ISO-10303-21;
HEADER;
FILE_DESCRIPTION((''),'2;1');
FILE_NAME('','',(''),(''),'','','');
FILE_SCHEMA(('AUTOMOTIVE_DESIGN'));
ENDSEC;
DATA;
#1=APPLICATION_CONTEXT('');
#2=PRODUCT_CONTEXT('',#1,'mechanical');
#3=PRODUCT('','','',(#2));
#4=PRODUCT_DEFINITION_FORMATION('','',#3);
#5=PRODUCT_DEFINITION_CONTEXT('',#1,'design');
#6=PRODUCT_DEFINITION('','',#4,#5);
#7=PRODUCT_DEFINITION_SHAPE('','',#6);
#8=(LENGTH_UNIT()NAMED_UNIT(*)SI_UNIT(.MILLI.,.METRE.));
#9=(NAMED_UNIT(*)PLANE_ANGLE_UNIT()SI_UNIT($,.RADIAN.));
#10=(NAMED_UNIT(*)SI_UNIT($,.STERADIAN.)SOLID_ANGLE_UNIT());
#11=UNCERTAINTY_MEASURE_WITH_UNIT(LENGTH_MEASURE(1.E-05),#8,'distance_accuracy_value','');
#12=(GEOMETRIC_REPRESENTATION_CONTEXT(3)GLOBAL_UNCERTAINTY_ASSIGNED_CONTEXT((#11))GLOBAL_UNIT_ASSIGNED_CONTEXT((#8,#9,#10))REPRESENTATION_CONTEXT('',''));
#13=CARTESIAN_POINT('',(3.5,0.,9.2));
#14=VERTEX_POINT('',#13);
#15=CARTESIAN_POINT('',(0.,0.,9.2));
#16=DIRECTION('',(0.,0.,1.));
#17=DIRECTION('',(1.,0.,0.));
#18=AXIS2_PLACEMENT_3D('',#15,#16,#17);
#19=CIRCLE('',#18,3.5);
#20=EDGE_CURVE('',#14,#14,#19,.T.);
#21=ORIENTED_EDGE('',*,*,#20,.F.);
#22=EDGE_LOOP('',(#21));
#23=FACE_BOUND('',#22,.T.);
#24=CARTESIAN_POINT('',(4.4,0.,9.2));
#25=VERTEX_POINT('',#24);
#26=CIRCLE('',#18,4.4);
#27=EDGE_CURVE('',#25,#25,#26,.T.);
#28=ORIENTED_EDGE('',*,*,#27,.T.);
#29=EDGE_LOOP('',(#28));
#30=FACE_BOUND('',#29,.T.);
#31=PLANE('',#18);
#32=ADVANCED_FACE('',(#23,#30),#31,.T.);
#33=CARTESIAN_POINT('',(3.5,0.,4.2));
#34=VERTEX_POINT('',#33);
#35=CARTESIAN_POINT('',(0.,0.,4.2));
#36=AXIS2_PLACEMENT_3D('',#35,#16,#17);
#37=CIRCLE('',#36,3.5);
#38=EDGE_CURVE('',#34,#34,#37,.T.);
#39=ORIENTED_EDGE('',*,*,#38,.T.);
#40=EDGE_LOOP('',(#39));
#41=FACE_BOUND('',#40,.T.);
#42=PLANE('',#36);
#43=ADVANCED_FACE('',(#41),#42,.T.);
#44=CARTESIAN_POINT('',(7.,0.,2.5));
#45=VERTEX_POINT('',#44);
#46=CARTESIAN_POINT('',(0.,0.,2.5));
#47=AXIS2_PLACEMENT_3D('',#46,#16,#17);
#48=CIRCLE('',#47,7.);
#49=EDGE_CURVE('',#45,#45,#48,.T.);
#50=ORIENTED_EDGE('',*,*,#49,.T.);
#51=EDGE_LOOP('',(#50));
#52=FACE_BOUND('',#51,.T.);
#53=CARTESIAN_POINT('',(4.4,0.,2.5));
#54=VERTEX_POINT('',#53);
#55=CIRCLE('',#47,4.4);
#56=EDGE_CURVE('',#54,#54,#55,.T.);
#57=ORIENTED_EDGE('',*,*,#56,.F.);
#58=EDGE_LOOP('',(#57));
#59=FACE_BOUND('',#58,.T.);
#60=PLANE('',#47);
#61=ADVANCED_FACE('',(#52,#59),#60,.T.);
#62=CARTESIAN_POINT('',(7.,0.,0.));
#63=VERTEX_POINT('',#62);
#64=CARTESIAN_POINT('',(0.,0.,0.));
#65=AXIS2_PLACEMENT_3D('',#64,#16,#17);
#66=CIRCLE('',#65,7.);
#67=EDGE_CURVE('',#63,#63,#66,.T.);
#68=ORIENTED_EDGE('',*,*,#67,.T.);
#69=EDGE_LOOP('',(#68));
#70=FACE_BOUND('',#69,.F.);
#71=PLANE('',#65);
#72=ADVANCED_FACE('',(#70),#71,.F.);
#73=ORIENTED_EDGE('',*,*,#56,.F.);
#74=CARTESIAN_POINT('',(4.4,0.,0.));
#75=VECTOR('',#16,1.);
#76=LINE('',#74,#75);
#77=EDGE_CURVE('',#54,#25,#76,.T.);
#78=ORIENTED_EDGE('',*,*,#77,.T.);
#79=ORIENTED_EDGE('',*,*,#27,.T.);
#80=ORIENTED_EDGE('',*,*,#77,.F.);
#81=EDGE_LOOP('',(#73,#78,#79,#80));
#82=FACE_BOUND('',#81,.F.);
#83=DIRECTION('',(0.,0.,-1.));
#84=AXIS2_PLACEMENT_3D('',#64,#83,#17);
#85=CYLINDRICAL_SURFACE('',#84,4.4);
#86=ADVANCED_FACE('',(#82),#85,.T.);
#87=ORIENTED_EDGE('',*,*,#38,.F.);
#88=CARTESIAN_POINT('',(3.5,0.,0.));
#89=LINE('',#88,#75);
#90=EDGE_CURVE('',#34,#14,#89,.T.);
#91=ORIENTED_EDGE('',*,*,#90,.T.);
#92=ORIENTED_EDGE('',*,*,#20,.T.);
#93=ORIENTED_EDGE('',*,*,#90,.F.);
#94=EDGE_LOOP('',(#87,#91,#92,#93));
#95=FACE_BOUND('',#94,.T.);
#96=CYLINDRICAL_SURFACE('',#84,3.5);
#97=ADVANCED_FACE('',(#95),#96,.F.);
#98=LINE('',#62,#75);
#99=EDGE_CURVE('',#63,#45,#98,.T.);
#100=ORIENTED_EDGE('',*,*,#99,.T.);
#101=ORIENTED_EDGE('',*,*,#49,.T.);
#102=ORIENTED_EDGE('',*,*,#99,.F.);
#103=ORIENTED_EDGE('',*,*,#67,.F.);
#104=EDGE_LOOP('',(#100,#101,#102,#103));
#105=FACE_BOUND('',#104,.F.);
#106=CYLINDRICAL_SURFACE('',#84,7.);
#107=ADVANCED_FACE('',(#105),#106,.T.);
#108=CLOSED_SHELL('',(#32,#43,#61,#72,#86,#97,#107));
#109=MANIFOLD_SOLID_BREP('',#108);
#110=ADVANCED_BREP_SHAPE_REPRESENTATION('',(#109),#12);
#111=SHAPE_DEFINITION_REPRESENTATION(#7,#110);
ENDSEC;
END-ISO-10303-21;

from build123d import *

# Parameters (mm, degrees)
F0_R     = 7
F0_R_2   = 4.4
F1_DEPTH = 2.5
F0_R_3   = 3.5
F2_DEPTH = 9.2
F3_DEPTH = 4.2


with BuildPart() as f1:
    # F0 (on Top) → F1 (new body)
    with BuildSketch(Plane.XY):
        Circle(F0_R)
        Circle(F0_R_2, mode=Mode.SUBTRACT)
    extrude(amount=F1_DEPTH)

    # F0 (on Top) → F2 (join)
    with BuildSketch(Plane.XY):
        Circle(F0_R_2)
        Circle(F0_R_3, mode=Mode.SUBTRACT)
    extrude(amount=F2_DEPTH)

    # F0 (on Top) → F3 (join)
    with BuildSketch(Plane.XY):
        Circle(F0_R_3)
    extrude(amount=F3_DEPTH)


solid = f1.part
